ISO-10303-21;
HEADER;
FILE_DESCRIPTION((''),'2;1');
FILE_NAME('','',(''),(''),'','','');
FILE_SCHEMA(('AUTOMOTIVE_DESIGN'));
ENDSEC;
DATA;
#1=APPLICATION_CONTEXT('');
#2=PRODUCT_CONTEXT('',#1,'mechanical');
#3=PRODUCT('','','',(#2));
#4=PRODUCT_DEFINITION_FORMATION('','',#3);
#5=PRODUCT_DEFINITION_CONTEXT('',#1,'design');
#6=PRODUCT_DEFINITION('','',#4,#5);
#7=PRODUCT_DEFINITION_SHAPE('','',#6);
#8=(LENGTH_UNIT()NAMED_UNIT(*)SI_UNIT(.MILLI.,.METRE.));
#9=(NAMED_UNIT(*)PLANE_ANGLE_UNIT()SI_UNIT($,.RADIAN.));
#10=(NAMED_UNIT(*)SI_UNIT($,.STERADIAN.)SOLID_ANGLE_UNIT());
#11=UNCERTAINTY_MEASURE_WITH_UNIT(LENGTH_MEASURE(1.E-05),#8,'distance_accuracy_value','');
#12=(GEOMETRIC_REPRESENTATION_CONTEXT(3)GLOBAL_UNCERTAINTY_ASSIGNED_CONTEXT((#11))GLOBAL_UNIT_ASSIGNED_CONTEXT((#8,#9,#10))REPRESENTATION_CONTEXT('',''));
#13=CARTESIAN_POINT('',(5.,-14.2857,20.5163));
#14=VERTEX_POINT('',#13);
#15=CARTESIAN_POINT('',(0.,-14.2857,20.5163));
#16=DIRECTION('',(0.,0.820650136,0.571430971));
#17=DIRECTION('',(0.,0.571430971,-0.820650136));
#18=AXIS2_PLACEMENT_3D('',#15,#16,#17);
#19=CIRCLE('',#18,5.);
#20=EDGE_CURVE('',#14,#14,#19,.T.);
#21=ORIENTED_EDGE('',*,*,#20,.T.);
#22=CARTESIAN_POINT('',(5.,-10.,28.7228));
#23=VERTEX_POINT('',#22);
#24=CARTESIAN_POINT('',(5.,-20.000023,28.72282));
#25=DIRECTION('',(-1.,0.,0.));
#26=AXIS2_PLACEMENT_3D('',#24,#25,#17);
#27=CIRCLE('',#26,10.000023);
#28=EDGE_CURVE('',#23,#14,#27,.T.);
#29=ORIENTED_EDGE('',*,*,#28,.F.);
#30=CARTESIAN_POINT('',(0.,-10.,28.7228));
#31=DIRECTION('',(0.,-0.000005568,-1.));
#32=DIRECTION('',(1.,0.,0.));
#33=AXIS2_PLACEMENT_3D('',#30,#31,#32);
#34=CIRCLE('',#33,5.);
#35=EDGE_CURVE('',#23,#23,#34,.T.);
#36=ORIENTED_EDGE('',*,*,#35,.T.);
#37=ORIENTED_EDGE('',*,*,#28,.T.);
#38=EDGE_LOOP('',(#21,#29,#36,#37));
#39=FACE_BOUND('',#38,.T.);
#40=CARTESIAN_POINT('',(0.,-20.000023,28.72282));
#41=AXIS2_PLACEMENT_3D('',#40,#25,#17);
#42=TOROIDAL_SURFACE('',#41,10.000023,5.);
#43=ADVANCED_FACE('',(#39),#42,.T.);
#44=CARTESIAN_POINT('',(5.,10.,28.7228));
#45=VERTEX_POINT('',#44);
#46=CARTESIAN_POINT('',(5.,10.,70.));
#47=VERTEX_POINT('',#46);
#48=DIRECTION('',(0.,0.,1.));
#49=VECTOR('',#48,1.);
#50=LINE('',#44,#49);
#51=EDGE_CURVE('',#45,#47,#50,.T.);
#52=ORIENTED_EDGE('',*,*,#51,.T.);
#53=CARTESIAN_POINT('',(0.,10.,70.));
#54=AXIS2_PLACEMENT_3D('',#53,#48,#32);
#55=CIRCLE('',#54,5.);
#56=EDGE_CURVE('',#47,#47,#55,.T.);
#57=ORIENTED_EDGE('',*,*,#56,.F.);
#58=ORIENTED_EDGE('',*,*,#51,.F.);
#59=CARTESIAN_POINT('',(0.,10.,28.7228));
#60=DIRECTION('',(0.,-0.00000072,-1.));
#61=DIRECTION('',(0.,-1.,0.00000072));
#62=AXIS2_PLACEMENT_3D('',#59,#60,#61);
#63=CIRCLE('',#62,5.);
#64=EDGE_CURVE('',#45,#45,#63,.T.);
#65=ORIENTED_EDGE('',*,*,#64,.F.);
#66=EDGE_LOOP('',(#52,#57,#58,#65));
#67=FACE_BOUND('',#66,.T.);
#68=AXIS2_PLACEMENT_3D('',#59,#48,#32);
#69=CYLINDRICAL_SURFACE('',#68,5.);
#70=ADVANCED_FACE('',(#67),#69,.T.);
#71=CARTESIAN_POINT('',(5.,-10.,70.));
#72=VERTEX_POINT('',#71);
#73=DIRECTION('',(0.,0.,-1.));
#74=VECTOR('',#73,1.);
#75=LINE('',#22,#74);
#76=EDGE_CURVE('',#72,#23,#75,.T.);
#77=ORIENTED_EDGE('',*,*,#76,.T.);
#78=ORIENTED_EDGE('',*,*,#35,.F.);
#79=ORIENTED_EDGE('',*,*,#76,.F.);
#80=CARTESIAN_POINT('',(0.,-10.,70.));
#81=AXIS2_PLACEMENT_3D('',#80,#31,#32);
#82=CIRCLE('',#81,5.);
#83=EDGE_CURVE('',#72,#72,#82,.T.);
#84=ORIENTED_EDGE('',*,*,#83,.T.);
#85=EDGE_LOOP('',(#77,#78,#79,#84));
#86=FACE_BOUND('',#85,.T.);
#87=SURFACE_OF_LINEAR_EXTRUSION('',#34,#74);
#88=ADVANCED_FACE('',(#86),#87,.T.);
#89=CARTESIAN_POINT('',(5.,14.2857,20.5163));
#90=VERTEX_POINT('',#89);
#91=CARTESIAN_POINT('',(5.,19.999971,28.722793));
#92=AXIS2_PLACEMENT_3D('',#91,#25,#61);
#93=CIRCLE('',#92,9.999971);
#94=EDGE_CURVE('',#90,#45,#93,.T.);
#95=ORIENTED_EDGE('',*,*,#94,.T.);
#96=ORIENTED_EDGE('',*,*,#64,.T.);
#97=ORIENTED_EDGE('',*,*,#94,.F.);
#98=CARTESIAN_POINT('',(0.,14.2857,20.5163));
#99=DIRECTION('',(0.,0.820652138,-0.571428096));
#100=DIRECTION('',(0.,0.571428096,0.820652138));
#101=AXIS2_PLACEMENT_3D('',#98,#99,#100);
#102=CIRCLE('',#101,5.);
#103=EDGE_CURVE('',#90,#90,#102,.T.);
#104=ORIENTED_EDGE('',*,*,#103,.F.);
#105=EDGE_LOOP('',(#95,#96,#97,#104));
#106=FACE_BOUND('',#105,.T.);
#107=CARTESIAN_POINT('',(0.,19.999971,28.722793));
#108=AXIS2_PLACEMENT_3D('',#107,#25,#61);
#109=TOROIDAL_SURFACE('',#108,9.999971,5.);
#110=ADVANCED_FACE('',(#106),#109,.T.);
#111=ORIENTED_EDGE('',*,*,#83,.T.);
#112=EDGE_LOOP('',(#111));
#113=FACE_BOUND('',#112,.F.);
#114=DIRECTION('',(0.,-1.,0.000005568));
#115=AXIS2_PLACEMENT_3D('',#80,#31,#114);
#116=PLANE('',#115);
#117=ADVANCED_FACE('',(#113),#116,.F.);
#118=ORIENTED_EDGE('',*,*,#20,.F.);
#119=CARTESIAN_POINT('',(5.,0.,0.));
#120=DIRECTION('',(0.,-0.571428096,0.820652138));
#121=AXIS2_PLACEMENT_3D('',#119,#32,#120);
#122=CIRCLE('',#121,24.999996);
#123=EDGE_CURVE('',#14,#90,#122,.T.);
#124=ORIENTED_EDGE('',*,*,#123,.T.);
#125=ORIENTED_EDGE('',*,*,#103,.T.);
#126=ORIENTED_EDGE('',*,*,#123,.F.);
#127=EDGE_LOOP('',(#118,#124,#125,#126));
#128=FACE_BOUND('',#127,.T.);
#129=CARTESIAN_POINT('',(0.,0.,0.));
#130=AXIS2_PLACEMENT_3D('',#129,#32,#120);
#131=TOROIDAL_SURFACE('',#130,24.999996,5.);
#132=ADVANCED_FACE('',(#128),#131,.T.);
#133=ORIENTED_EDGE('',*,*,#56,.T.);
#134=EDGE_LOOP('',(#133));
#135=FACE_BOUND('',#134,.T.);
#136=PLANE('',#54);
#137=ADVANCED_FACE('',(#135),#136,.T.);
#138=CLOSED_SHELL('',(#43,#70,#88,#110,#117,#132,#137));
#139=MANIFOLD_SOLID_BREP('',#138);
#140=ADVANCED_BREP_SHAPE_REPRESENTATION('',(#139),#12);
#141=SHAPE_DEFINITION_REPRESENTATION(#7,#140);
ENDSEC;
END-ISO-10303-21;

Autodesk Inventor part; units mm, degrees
ref_plane "YZ Plane" through (0, 0, 0) normal (1, 0, 0) x (0, 1, 0)
ref_plane "XZ Plane" through (0, 0, 0) normal (0, 1, 0) x (-1, 0, 0)
sketch "草圖1" plane through (0, 0, 0) normal (1, 0, 0) x (0, 1, 0)
  arc A0 (-14.2857, 20.5163) -> (14.2857, 20.5163) centre (0, 0) ccw
  line L0 (-10, 28.7228) -> (-10, 70)
  line L1 (0, 0) -> (0, 31.1986)
  line L2 (10, 28.7228) -> (10, 70)
  arc A1 (10, 28.7228) -> (14.2857, 20.5163) centre (20, 28.7228) ccw
  arc A2 (-14.2857, 20.5163) -> (-10, 28.7228) centre (-20, 28.7228) ccw
  point P0 (10, 22.9129)
  point P1 (-10, 22.9129)
  dimension "d0" = 50
  dimension "d1" = 20
  dimension "d2" = 10
  dimension "d4" = 70
ref_plane "工作平面1" through (0, 10, 70) normal (0, 0, 1) x (1, 0, 0)
sketch "草圖3" plane through (0, 10, 70) normal (0, 0, 1) x (1, 0, 0)
  circle A0 centre (0, 0) radius 5
  point P0 (0, -10)
  dimension "d3" = 10
sweep "掃掠1" add profiles "草圖3" path "草圖1" path curves L2 A1 A0 A2 L0
properties part number "示範一"
